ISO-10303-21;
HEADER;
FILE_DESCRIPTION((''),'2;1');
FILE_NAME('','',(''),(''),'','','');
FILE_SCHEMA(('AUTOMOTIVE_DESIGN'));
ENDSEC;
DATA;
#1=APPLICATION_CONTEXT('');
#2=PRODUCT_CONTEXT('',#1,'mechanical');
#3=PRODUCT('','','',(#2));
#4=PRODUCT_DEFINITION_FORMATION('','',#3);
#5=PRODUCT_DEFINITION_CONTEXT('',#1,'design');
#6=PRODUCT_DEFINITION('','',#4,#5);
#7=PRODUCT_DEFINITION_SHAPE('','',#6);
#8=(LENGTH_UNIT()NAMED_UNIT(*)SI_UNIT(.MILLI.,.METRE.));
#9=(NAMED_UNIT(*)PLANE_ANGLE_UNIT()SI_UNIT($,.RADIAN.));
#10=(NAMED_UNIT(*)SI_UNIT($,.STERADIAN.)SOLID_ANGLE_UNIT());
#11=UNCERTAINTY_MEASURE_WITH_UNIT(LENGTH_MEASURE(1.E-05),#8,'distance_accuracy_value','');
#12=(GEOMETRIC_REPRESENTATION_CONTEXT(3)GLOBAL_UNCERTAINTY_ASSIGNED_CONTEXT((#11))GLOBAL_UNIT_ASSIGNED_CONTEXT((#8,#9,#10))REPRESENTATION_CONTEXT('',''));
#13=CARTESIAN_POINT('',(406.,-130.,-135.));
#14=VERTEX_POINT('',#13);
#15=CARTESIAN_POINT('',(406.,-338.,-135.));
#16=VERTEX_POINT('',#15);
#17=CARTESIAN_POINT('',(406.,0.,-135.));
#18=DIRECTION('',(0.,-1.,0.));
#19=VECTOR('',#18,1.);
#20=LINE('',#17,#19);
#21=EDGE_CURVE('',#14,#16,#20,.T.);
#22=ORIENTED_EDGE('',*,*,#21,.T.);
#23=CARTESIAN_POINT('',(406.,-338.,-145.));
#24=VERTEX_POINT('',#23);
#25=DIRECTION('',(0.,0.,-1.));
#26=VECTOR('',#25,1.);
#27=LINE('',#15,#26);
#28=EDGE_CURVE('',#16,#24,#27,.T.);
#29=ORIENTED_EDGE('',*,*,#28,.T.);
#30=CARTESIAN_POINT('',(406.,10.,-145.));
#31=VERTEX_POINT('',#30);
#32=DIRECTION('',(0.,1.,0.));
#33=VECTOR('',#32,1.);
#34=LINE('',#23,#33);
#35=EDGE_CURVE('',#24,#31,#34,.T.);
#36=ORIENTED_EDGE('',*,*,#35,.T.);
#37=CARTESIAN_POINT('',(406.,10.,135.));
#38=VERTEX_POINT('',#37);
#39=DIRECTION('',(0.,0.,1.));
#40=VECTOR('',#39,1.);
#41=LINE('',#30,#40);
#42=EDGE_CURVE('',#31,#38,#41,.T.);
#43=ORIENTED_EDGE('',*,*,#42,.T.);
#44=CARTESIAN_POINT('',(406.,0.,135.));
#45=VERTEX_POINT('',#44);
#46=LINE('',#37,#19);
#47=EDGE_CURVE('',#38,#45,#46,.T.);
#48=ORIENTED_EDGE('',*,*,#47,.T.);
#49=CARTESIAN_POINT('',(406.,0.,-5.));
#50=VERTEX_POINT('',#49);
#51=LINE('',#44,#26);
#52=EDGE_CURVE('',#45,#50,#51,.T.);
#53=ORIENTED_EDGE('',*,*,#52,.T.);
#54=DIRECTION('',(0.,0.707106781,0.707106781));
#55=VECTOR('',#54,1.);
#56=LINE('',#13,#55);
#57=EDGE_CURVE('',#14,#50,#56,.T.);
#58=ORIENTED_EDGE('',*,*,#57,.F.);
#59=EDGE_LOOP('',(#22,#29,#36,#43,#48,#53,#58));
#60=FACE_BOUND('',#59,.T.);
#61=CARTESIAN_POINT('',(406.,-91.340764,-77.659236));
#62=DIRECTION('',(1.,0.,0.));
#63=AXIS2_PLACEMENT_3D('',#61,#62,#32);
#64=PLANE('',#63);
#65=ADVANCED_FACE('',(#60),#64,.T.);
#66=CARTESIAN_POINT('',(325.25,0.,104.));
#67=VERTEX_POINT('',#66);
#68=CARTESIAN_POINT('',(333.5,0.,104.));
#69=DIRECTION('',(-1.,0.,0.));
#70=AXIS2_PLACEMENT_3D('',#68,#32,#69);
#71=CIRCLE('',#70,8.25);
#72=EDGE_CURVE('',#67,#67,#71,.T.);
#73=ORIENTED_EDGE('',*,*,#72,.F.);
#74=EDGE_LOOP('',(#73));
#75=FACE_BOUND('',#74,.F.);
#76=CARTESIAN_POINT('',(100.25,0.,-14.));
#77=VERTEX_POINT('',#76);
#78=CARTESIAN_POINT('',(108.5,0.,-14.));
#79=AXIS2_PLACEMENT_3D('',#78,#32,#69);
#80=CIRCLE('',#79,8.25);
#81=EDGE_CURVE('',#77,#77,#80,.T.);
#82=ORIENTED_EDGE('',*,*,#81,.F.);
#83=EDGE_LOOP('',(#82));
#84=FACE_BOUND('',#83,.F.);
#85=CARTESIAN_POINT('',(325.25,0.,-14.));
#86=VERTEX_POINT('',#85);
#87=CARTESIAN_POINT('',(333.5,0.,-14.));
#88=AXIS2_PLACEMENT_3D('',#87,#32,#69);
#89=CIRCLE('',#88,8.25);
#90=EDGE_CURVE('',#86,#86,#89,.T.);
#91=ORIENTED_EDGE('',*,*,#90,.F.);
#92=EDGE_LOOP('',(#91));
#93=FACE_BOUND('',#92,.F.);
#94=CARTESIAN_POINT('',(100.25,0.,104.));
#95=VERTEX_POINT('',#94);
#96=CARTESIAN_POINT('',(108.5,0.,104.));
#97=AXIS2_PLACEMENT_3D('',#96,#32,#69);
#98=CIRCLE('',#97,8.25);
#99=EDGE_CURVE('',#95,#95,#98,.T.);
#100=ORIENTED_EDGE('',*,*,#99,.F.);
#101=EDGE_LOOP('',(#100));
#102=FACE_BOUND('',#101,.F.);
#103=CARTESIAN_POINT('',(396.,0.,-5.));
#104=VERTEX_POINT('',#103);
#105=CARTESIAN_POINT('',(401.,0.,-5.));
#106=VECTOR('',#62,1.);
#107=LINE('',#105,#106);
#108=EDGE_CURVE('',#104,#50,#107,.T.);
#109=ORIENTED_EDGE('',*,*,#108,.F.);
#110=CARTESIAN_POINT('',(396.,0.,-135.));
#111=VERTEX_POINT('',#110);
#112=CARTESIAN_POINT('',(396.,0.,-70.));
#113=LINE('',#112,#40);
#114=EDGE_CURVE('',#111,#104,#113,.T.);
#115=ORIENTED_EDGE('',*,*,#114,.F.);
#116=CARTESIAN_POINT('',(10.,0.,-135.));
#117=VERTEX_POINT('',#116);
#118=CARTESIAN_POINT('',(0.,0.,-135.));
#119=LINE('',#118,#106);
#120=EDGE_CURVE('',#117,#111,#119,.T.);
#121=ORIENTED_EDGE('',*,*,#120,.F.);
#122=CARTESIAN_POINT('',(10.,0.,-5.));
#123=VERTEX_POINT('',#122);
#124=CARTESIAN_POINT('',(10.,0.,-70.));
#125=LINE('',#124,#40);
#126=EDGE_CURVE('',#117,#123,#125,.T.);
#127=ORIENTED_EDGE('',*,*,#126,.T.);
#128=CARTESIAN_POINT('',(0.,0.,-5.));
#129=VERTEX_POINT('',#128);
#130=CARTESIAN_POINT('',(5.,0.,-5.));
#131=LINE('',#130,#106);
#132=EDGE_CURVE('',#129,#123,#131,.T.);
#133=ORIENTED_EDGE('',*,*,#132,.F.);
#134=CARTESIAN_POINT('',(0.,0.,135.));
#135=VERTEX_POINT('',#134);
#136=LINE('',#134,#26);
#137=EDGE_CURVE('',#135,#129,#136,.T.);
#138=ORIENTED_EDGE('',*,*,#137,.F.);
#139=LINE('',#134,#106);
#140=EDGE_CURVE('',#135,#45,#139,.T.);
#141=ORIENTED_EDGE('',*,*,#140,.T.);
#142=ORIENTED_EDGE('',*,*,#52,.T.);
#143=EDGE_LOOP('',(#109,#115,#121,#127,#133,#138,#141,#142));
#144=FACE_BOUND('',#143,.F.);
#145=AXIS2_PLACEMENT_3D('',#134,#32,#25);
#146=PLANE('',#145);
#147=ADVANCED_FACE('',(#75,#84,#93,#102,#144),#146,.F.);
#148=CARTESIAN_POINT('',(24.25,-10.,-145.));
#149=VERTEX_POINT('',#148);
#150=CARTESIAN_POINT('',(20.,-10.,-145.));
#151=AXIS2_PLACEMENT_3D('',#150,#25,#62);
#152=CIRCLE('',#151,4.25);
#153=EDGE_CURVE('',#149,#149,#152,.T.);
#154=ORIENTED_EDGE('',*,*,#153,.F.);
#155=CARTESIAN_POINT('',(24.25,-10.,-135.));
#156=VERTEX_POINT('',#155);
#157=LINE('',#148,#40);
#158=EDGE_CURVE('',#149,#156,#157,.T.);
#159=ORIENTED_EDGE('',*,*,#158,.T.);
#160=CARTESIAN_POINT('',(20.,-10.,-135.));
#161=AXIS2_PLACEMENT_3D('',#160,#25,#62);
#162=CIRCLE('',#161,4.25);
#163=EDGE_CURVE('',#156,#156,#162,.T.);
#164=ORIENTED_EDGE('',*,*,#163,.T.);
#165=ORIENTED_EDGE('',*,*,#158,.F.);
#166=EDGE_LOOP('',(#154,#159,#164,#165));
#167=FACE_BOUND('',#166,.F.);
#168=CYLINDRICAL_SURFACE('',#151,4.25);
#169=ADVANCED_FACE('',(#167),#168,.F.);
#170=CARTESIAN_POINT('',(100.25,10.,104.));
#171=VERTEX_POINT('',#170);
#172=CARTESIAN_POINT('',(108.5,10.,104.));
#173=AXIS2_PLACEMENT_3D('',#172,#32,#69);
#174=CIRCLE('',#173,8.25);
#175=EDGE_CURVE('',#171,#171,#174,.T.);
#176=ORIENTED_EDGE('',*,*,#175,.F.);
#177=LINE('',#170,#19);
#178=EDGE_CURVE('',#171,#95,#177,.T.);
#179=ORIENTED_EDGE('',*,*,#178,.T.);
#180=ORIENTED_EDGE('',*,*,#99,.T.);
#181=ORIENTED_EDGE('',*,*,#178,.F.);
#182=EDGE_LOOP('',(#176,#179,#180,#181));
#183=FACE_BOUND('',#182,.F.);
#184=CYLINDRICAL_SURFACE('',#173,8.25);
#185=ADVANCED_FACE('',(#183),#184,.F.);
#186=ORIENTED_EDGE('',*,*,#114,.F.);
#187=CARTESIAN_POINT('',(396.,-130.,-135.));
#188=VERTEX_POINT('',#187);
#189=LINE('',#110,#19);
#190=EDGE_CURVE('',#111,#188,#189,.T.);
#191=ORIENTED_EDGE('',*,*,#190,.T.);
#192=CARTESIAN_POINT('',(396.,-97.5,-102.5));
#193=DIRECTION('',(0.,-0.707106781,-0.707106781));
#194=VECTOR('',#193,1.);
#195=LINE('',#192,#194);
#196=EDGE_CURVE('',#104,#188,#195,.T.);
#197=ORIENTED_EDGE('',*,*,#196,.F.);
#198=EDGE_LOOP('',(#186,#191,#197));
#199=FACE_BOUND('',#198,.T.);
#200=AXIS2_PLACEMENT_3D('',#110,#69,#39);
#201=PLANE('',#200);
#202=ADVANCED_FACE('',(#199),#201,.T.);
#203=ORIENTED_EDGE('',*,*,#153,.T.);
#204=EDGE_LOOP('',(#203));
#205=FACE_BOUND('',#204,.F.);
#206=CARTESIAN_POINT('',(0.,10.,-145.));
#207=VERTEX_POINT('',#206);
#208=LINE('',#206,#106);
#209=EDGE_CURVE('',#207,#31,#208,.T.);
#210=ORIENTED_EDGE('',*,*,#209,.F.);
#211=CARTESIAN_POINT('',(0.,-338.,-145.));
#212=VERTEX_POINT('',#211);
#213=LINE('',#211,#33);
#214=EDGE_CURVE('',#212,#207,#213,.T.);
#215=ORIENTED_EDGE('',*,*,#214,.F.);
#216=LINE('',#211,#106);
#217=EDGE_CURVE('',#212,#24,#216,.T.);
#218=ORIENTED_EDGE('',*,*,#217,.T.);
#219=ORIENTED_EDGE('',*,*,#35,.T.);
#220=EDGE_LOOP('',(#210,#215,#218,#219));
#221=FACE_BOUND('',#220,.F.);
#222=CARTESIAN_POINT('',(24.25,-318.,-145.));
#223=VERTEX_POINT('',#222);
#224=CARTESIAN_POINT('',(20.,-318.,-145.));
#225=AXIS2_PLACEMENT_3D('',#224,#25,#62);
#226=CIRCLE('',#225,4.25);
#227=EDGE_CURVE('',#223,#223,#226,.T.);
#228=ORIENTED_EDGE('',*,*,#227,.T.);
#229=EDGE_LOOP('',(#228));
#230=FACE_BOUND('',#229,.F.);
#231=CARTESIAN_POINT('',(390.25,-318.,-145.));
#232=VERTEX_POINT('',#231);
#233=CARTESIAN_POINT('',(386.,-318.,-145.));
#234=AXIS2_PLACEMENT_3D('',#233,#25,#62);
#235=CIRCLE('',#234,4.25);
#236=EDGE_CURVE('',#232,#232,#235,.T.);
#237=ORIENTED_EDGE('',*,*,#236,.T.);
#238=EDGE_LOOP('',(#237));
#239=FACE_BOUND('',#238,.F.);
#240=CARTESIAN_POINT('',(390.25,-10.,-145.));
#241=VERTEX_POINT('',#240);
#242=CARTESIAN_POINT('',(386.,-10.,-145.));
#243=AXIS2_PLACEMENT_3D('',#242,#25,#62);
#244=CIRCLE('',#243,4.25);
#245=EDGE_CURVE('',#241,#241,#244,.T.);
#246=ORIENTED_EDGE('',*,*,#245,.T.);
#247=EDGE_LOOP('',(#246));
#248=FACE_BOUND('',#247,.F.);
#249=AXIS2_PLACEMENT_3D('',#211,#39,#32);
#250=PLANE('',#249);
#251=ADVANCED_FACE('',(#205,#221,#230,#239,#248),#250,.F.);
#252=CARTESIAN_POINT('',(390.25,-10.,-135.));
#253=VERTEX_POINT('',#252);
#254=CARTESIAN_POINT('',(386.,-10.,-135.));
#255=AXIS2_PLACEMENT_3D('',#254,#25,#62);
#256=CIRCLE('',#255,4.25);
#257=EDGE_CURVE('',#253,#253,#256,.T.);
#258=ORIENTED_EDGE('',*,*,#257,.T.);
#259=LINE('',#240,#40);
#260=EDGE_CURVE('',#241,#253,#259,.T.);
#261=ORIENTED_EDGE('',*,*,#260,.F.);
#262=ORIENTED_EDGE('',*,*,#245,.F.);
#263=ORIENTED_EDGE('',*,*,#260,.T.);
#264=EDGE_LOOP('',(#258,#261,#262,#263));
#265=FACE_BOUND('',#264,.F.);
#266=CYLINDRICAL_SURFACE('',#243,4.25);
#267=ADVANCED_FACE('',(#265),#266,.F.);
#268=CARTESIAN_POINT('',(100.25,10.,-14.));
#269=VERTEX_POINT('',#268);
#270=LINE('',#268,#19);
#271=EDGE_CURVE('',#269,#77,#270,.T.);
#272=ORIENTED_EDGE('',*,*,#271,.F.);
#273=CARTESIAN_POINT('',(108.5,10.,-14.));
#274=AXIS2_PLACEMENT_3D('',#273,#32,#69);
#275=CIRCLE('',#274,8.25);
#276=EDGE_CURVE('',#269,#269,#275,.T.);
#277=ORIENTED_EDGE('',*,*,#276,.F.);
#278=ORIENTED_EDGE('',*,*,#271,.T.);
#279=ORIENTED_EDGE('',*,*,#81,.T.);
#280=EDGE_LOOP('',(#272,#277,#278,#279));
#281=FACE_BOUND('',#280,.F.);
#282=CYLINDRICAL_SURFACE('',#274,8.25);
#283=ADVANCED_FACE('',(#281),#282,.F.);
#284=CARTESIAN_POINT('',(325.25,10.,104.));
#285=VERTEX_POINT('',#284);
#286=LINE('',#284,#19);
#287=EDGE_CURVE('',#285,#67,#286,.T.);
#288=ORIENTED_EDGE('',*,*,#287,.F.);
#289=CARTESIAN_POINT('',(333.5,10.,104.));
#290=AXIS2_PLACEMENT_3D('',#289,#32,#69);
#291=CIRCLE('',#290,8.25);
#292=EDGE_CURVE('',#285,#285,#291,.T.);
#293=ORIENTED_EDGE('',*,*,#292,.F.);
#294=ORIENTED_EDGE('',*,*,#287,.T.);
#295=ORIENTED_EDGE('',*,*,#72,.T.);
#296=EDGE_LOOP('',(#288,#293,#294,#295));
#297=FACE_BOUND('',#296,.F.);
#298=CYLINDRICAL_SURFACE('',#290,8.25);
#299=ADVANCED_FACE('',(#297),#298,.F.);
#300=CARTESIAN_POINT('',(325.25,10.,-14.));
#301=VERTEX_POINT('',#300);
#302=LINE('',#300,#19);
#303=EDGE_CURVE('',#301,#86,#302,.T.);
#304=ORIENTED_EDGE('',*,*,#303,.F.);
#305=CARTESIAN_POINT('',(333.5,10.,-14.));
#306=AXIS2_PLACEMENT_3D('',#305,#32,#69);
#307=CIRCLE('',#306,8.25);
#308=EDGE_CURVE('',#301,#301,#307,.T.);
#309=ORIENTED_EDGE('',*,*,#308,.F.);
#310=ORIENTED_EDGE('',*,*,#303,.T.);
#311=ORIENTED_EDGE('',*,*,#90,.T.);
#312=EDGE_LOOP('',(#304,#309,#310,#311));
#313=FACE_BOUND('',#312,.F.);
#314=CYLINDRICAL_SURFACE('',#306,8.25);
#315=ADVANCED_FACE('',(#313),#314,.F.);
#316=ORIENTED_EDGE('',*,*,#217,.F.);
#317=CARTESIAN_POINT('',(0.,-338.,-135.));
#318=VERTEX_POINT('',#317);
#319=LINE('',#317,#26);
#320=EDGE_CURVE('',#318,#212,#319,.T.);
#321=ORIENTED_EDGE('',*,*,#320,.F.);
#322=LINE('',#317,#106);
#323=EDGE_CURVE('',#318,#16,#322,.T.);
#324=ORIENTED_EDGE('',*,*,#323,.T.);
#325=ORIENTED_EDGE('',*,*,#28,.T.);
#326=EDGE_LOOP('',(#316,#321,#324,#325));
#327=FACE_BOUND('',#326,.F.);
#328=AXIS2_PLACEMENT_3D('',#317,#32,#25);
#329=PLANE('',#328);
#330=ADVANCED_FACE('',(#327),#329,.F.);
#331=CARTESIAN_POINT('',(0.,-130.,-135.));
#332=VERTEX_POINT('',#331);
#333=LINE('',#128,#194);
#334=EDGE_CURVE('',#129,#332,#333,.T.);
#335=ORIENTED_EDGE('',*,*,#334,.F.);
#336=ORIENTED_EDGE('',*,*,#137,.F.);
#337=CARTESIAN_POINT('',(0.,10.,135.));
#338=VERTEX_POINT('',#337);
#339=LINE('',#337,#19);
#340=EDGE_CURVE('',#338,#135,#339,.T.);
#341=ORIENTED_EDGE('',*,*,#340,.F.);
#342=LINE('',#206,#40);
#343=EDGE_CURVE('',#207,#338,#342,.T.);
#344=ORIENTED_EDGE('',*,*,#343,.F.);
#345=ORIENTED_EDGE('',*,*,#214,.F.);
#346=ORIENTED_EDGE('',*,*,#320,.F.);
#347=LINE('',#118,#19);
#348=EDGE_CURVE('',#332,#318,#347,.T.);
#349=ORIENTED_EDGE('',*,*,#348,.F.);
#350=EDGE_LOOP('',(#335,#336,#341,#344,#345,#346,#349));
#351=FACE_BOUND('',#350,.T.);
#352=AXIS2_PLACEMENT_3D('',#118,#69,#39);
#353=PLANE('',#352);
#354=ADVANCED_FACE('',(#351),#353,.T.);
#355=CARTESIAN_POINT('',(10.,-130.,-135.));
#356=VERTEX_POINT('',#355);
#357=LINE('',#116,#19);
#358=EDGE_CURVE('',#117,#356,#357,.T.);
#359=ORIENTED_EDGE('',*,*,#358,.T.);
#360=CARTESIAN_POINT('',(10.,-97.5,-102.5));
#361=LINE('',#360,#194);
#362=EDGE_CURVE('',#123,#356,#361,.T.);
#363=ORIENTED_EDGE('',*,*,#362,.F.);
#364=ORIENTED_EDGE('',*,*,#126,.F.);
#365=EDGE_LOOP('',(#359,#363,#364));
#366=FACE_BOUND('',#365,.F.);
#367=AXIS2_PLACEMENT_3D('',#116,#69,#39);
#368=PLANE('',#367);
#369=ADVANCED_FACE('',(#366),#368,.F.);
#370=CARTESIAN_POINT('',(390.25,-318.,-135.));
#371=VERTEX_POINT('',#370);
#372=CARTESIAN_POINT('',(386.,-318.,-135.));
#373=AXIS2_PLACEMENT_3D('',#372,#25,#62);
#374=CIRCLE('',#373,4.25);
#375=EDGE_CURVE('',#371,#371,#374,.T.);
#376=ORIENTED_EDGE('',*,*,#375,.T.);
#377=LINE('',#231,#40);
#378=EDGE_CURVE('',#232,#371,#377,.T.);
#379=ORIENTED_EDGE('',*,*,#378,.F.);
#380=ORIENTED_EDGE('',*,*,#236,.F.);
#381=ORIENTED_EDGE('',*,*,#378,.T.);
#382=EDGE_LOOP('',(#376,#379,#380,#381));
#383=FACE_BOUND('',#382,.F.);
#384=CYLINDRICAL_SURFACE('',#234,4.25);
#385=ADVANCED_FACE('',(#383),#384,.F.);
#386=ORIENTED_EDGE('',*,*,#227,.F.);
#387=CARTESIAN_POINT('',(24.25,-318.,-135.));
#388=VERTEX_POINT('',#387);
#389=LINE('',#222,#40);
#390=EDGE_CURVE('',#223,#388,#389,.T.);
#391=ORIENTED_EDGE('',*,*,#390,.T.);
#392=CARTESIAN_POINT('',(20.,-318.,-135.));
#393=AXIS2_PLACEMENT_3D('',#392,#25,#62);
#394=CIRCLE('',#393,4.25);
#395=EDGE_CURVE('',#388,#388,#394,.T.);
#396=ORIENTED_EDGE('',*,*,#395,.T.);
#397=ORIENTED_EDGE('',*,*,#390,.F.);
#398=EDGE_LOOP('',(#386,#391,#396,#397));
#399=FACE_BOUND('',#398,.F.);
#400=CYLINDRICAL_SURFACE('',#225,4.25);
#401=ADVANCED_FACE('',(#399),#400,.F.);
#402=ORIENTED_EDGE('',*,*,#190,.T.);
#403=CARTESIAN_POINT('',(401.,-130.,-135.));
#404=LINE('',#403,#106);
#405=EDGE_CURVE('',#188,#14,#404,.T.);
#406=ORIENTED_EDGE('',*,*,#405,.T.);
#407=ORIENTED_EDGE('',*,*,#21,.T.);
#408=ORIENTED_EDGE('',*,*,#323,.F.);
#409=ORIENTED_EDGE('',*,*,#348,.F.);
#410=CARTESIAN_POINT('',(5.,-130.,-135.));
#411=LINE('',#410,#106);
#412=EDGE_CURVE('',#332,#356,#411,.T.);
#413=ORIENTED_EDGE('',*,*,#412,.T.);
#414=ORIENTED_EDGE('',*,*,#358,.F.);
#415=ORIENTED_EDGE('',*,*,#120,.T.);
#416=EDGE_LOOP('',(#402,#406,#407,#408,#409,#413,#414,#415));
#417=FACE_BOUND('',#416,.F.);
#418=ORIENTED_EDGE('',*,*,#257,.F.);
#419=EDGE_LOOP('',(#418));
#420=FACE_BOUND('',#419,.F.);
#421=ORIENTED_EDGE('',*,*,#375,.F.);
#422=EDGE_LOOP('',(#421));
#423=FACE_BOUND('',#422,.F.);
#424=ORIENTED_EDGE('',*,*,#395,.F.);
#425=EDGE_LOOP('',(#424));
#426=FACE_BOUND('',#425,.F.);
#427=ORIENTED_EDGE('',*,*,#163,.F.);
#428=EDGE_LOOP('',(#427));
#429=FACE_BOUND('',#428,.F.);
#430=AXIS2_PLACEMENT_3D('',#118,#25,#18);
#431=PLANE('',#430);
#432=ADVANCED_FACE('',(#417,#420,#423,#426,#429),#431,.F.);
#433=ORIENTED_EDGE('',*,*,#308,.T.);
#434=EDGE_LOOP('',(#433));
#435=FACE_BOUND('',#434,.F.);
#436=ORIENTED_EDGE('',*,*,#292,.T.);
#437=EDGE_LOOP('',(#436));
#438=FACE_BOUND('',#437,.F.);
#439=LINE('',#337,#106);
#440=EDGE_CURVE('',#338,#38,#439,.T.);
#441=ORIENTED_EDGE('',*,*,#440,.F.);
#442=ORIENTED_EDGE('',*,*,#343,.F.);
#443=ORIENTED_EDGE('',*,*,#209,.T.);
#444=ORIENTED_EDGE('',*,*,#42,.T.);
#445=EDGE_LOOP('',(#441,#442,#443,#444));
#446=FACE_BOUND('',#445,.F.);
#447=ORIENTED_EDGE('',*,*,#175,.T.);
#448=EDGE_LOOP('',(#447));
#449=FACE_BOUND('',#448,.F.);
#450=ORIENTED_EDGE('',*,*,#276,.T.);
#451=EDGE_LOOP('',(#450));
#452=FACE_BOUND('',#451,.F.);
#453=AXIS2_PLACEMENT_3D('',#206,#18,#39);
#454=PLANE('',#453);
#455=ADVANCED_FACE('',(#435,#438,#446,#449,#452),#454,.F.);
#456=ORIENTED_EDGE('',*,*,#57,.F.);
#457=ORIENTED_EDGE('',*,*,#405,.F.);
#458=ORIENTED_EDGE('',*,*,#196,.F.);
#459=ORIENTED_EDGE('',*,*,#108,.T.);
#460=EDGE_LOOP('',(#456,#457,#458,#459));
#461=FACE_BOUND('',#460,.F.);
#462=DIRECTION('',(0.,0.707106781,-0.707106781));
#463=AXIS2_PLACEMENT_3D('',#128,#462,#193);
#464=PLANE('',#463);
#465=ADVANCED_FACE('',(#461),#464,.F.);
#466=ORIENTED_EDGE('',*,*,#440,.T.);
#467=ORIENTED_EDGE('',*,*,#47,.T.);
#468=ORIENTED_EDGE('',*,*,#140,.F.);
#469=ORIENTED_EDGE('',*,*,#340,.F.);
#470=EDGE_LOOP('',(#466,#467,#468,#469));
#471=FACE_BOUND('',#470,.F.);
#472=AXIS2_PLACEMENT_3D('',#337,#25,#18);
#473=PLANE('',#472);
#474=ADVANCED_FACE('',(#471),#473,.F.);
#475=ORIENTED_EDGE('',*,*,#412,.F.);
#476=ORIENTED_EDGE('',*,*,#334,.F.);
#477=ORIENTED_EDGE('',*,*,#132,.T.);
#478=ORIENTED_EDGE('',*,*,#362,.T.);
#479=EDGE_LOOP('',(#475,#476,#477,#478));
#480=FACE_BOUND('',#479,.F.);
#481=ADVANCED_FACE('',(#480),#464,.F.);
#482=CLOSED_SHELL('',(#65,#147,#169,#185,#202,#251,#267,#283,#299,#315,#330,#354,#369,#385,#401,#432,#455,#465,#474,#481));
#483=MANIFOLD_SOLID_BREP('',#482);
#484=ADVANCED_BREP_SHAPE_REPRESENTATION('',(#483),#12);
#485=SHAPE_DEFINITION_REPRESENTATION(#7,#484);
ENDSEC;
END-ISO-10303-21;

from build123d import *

# Parameters (mm, degrees)
F1_DEPTH  = 406
F2_W      = 10
F2_H      = 130
F3_DEPTH  = 130
F6_DEPTH  = 406.001
F7_R      = 8.25
F8_DEPTH  = 348.001
F9_R      = 4.25
F10_DEPTH = 280.001


with BuildPart() as f1:
    # F0 (on Right) → F1 (new body)
    with BuildSketch(Plane.YZ):
        Polygon((10, 135), (0, 135), (0, -135), (-338, -135), (-338, -145), (10, -145), align=None)
    extrude(amount=F1_DEPTH)

    # F2 (on face) → F3 (join)
    with BuildSketch(Plane.XZ):
        with Locations((5, -70)):
            Rectangle(F2_W, F2_H)
        with Locations((401, -70)):
            Rectangle(F2_W, F2_H)
    extrude(amount=F3_DEPTH)

    # F5 (on face) + F4 (on face) → F6 (cut, through all)
    with BuildSketch(Plane(origin=(0, 0, 0), x_dir=(0, -1, 0), z_dir=(-1, 0, 0))):
        Polygon((130, -5), (0, -5), (130, -135), align=None)
    with BuildSketch(Plane.YZ.offset(406)):
        Polygon((-130, -135), (0, -5), (-130, -5), align=None)
    extrude(amount=-F6_DEPTH, mode=Mode.SUBTRACT)

    # F7 (on face) → F8 (cut, through all)
    with BuildSketch(Plane(origin=(0, 10, 0), x_dir=(-1, 0, 0), z_dir=(0, 1, 0))):
        with Locations((-333.5, 104)):
            Circle(F7_R)
        with Locations((-333.5, -14)):
            Circle(F7_R)
        with Locations((-108.5, -14)):
            Circle(F7_R)
        with Locations((-108.5, 104)):
            Circle(F7_R)
    extrude(amount=-F8_DEPTH, mode=Mode.SUBTRACT)

    # F9 (on face) → F10 (cut, through all)
    with BuildSketch(Plane(origin=(0, 0, -145), x_dir=(1, 0, 0), z_dir=(0, 0, -1))):
        with Locations((20, 318)):
            Circle(F9_R)
        with Locations((386, 318)):
            Circle(F9_R)
        with Locations((20, 10)):
            Circle(F9_R)
        with Locations((386, 10)):
            Circle(F9_R)
    extrude(amount=-F10_DEPTH, mode=Mode.SUBTRACT)


solid = f1.part
